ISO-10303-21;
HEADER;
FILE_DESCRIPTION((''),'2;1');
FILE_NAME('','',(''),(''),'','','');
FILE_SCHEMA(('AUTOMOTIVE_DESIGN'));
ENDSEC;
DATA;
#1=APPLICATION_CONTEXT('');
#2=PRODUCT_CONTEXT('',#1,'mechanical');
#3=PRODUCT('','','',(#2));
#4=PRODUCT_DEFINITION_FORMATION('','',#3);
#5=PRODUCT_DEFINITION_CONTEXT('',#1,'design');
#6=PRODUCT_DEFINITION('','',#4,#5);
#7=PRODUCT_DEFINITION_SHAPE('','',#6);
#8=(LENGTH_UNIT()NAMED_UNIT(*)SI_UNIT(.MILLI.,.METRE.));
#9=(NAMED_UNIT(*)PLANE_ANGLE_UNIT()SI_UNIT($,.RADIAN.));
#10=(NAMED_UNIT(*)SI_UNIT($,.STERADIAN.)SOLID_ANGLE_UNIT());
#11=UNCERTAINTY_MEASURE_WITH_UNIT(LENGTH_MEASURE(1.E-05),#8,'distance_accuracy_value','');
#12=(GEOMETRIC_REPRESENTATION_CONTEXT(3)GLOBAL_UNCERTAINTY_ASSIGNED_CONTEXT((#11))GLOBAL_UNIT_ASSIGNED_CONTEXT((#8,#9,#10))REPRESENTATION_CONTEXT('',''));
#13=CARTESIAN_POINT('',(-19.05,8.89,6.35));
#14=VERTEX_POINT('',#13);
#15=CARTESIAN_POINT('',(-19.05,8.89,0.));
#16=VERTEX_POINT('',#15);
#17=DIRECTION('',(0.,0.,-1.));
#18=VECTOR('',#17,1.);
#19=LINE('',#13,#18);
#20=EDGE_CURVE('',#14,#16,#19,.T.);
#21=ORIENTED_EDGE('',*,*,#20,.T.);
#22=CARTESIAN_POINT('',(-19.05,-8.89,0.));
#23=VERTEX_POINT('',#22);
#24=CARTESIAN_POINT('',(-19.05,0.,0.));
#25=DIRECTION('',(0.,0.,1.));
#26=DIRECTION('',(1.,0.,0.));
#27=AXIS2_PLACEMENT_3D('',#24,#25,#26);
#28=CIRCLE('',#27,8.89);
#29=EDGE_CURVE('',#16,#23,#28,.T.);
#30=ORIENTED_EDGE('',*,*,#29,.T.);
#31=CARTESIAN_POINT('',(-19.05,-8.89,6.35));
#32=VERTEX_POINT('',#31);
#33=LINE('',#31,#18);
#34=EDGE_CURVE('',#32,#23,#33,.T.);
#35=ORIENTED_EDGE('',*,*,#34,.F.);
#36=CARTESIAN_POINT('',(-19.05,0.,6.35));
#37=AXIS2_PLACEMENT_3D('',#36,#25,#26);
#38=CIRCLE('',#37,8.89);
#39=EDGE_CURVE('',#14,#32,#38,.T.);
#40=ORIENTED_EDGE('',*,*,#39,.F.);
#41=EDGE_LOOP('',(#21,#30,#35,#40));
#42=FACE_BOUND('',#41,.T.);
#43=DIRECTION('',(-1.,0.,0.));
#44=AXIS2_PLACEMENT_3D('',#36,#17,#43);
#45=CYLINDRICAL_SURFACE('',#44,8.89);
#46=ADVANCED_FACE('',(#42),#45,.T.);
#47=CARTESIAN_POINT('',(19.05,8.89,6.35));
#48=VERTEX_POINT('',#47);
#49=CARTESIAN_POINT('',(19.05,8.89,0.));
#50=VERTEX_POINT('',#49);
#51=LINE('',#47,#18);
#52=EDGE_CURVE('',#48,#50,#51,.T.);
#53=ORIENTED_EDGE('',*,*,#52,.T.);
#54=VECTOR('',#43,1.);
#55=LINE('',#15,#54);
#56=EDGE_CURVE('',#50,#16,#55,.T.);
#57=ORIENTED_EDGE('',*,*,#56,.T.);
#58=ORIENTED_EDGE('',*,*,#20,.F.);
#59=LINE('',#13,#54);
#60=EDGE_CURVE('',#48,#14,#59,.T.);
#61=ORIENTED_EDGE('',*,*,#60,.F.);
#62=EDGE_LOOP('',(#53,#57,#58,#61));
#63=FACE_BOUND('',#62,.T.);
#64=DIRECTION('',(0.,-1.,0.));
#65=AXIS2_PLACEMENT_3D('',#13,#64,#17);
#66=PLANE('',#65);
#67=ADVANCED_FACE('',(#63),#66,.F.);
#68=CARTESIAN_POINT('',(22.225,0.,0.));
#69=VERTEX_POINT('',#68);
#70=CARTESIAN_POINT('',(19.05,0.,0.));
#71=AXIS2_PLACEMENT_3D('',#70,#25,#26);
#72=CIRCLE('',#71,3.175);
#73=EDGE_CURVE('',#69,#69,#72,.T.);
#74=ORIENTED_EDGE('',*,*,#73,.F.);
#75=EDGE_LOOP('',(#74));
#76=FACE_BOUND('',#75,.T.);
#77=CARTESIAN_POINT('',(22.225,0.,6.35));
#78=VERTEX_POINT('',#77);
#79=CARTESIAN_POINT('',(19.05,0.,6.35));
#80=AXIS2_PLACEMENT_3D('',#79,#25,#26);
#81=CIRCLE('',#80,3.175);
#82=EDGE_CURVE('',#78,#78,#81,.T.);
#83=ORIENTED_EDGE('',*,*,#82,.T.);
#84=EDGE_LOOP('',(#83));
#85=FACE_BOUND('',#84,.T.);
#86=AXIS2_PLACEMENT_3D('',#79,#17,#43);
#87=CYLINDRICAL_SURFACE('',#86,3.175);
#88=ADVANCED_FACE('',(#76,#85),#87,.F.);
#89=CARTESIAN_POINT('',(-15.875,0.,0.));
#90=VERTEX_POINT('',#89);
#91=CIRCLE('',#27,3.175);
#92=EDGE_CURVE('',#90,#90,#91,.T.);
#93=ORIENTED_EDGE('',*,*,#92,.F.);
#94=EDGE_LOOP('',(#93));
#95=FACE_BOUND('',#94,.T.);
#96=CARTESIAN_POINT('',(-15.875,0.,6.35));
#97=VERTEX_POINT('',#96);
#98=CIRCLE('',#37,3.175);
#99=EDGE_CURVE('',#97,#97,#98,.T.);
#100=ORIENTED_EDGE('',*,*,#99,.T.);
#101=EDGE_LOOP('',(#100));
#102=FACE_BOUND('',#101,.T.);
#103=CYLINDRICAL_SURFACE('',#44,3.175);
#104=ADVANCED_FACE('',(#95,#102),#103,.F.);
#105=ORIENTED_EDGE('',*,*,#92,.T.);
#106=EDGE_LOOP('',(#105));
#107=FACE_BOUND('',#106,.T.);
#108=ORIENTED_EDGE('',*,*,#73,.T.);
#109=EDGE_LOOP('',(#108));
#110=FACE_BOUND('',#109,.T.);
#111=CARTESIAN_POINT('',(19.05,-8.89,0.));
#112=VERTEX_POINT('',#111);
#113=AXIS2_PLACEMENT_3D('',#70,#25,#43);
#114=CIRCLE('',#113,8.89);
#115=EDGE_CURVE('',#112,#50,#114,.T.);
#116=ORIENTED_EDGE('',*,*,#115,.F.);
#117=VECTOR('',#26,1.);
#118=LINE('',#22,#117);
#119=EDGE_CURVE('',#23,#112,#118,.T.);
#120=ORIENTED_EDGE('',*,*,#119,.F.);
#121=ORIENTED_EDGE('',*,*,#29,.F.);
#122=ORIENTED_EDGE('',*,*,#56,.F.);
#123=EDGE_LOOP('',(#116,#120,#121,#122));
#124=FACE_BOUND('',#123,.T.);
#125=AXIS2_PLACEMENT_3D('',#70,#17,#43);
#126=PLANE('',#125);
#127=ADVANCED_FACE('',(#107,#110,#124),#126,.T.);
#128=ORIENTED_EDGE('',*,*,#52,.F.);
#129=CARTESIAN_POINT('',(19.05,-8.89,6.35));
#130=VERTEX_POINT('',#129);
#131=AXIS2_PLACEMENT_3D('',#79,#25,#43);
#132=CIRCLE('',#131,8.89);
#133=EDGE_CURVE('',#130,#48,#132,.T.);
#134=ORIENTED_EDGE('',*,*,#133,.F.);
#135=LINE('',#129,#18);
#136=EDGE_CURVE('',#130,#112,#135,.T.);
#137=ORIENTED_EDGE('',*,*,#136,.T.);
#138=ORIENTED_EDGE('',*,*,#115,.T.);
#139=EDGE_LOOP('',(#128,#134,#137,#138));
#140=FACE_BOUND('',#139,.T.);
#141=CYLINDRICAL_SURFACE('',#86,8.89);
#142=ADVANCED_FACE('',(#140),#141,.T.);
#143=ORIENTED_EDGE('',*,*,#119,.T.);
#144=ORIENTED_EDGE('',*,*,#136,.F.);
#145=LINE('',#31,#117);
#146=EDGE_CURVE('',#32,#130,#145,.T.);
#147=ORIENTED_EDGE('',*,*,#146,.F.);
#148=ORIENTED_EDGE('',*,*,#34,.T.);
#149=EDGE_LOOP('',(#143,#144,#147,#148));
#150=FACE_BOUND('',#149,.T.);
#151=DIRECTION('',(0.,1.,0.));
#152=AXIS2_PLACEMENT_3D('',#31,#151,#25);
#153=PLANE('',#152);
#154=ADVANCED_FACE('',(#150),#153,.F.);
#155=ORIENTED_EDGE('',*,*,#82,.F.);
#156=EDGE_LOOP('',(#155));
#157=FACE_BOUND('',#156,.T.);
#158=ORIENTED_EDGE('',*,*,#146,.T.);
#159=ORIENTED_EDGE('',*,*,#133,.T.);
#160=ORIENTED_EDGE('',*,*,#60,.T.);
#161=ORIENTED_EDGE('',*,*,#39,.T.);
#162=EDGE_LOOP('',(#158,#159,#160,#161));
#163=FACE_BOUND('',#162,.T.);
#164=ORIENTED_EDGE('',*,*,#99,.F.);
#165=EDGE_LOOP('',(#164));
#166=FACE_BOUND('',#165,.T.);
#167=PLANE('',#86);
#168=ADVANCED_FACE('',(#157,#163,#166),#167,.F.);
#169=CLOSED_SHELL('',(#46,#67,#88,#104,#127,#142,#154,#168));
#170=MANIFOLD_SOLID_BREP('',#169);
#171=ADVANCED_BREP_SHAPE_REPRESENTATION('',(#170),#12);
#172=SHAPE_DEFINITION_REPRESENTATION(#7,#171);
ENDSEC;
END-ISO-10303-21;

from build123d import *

# Parameters (mm, degrees)
SKETCH1_R           = 3.175
BOSS_EXTRUDE1_DEPTH = 6.35


with BuildPart() as part:
    # Sketch1 → Boss-Extrude1 (new body)
    with BuildSketch(Plane.XY):
        with BuildLine():
            Line((-19.05, -8.89), (19.05, -8.89))
            ThreePointArc((19.05, -8.89), (27.94, 0), (19.05, 8.89))
            Line((19.05, 8.89), (-19.05, 8.89))
            ThreePointArc((-19.05, 8.89), (-27.94, 0), (-19.05, -8.89))
        make_face()
        with Locations((-19.05, 0)):
            Circle(SKETCH1_R, mode=Mode.SUBTRACT)
        with Locations((19.05, 0)):
            Circle(SKETCH1_R, mode=Mode.SUBTRACT)
    extrude(amount=BOSS_EXTRUDE1_DEPTH)


solid = part.part
